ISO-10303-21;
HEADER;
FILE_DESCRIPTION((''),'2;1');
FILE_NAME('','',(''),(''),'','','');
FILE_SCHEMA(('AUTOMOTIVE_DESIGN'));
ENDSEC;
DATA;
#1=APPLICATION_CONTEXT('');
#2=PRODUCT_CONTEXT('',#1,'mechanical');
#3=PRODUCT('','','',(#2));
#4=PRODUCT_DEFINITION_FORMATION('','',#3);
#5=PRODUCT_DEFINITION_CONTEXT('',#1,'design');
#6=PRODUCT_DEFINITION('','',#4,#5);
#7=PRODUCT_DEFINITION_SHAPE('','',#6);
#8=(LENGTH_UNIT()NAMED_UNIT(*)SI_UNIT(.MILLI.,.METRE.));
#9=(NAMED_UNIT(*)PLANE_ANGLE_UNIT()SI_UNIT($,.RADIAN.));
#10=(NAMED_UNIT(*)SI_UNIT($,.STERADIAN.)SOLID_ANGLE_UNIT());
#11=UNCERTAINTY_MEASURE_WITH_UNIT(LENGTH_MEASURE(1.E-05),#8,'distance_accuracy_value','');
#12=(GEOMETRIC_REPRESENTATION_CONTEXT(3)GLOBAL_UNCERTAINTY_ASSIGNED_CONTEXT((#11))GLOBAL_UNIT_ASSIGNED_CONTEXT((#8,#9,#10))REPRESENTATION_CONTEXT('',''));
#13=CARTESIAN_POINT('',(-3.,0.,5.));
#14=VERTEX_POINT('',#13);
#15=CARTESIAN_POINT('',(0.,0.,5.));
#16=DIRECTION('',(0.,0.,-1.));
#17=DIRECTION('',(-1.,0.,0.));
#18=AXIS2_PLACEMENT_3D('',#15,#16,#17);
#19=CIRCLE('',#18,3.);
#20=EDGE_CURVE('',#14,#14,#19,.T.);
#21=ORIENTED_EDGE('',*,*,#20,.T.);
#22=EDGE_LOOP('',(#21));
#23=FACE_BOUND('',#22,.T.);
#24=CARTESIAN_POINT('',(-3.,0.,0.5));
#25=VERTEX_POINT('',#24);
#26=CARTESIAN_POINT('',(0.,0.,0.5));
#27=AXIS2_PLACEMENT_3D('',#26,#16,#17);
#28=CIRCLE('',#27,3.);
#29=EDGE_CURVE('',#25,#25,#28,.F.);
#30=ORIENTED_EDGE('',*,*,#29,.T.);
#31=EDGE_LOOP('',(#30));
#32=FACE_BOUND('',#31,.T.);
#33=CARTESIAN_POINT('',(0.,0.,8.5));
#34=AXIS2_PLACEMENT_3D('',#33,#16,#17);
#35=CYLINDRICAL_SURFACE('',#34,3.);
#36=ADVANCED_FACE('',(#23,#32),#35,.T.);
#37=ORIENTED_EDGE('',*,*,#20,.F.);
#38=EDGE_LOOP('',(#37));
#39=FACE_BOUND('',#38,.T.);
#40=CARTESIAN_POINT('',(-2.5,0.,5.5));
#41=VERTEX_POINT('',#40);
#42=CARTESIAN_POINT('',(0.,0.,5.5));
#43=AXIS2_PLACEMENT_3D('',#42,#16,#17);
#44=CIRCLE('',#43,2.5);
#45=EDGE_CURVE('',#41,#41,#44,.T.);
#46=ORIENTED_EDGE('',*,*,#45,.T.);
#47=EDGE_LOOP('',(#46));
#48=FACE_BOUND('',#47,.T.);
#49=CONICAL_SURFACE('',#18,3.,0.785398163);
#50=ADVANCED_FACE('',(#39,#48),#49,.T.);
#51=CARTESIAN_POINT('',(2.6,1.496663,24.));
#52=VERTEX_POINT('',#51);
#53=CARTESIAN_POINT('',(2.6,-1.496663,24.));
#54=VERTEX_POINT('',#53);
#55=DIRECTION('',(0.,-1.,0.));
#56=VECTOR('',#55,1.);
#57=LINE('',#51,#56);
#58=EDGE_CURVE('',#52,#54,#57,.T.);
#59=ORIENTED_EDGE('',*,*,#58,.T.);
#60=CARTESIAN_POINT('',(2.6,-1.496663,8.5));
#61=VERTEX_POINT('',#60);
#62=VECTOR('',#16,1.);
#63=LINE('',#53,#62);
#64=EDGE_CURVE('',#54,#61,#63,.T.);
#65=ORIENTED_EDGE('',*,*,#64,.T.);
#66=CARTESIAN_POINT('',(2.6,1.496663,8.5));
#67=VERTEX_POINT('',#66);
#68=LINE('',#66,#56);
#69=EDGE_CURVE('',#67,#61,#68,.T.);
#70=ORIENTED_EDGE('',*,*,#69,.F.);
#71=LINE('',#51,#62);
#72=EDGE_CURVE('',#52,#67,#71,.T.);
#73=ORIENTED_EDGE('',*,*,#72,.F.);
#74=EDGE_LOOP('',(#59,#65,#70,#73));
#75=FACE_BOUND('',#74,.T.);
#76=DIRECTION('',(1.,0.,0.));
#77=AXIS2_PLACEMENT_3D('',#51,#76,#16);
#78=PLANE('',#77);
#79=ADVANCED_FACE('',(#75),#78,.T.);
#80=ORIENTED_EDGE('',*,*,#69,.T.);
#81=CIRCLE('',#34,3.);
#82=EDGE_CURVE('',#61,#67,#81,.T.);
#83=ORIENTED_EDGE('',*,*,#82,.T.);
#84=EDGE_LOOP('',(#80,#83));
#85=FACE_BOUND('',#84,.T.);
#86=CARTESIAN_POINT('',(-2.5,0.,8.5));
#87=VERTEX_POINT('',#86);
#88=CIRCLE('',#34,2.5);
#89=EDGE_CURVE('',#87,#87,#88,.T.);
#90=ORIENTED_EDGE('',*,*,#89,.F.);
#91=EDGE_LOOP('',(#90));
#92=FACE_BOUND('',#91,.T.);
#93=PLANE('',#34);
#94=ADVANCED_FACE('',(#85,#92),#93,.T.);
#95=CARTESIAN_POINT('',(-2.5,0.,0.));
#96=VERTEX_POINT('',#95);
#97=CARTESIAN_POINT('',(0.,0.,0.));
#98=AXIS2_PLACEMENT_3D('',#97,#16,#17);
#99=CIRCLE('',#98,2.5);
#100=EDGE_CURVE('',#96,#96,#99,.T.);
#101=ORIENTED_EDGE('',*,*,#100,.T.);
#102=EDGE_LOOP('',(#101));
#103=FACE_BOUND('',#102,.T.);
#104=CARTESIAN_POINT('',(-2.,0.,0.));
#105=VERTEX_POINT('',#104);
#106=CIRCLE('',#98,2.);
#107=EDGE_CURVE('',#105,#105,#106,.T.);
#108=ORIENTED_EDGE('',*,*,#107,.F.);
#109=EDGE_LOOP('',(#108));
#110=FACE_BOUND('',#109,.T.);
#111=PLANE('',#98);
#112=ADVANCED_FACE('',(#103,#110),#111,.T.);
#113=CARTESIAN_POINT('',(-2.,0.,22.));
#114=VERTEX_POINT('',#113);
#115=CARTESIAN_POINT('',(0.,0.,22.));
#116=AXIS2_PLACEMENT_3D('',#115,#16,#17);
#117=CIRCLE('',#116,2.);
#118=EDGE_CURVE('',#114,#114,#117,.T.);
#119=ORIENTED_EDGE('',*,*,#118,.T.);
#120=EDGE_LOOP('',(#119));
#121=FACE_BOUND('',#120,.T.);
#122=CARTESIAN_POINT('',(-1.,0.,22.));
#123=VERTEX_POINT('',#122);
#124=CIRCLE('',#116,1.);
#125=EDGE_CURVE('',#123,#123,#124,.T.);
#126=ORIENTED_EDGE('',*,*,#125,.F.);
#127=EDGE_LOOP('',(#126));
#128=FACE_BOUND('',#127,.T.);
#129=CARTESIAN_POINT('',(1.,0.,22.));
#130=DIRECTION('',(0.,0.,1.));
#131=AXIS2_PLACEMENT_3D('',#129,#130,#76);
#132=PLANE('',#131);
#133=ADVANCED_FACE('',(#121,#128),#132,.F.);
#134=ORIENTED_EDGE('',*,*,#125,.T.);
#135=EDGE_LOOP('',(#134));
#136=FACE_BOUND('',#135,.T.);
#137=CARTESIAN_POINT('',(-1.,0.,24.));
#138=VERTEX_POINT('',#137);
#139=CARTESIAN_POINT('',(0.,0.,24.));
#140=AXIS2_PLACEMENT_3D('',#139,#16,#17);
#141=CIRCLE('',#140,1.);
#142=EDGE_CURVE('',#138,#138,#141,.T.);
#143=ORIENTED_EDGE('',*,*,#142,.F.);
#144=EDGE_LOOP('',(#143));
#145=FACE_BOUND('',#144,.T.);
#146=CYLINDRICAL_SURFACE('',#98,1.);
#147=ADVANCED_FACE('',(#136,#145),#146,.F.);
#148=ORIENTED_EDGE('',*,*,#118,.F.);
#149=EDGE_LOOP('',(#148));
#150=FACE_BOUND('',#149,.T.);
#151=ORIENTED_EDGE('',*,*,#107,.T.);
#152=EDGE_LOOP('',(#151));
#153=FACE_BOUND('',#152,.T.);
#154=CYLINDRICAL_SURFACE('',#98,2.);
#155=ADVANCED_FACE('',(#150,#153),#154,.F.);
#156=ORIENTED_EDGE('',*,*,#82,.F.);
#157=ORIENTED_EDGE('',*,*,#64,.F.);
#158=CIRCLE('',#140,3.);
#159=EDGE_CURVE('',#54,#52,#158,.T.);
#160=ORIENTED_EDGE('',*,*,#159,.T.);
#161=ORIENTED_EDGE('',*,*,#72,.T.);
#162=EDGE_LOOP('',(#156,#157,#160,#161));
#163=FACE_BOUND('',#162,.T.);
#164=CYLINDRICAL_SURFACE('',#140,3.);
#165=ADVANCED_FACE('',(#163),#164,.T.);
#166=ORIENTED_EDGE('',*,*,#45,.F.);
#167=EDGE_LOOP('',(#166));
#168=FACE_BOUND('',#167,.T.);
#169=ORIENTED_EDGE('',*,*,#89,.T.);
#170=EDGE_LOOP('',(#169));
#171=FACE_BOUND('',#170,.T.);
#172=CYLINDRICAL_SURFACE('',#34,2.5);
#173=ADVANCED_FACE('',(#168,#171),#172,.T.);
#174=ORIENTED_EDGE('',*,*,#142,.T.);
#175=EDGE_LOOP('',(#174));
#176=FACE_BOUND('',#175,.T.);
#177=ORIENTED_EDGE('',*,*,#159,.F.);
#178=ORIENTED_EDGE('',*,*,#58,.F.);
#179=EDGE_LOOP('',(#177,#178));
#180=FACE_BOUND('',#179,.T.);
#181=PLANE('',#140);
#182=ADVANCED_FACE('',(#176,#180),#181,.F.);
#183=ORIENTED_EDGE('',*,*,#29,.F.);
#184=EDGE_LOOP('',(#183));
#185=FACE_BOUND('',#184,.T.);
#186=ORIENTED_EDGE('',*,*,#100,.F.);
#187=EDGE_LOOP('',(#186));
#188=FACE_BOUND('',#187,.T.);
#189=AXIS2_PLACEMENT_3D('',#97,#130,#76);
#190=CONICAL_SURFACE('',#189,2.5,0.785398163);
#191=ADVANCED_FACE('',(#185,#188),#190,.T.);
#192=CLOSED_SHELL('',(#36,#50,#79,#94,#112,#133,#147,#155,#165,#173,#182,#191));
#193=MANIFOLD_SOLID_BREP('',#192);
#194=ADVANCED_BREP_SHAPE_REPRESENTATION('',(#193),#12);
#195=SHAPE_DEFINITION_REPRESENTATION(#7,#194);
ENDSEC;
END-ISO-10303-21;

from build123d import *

# Parameters (mm, degrees)
BOSS_EXTRUDE1_DEPTH                                 = 15.5
CBORE_FOR_1_BINDING_HEAD_MACHINE_SCREW1_D           = 2
CBORE_FOR_1_BINDING_HEAD_MACHINE_SCREW1_DEPTH       = 24
CBORE_FOR_1_BINDING_HEAD_MACHINE_SCREW1_CBORE_D     = 4
CBORE_FOR_1_BINDING_HEAD_MACHINE_SCREW1_CBORE_DEPTH = 22
CHAMFER1_SIZE                                       = 0.5


with BuildPart() as part:
    # Sketch1 → Boss-Extrude1 (new body)
    with BuildSketch(Plane(origin=(0, 0, 8.5), x_dir=(-1, 0, 0), z_dir=(0, 0, -1))):
        with BuildLine():
            Line((-2.6, 1.496662955), (-2.6, -1.496662955))
            ThreePointArc((-2.6, -1.496662955), (3, 0), (-2.6, 1.496662955))
        make_face()
    extrude(amount=-BOSS_EXTRUDE1_DEPTH)

    # Sketch2 → Revolve1 (revolve)
    with BuildSketch(Plane.XZ):
        Polygon((2.5, 8.5), (0, 8.5), (0, 0), (3, 0), (3, 5), (2.5, 5.5), align=None)
    revolve(axis=Axis((0, 0, 8.5), (0, 0, -1)))

    # CBORE for #1 Binding Head Machine Screw1
    with Locations(Plane(origin=(0, 0, 0), x_dir=(-1, 0, 0), z_dir=(0, 0, -1))):
        with Locations((0, 0)):
            CounterBoreHole(CBORE_FOR_1_BINDING_HEAD_MACHINE_SCREW1_D / 2, CBORE_FOR_1_BINDING_HEAD_MACHINE_SCREW1_CBORE_D / 2, CBORE_FOR_1_BINDING_HEAD_MACHINE_SCREW1_CBORE_DEPTH, depth=CBORE_FOR_1_BINDING_HEAD_MACHINE_SCREW1_DEPTH)

    # Chamfer1
    chamfer1_edges = [part.edges().sort_by_distance(p)[0] for p in [
        (-3, 0, 0),
    ]]
    chamfer(chamfer1_edges, length=CHAMFER1_SIZE)


solid = part.part
